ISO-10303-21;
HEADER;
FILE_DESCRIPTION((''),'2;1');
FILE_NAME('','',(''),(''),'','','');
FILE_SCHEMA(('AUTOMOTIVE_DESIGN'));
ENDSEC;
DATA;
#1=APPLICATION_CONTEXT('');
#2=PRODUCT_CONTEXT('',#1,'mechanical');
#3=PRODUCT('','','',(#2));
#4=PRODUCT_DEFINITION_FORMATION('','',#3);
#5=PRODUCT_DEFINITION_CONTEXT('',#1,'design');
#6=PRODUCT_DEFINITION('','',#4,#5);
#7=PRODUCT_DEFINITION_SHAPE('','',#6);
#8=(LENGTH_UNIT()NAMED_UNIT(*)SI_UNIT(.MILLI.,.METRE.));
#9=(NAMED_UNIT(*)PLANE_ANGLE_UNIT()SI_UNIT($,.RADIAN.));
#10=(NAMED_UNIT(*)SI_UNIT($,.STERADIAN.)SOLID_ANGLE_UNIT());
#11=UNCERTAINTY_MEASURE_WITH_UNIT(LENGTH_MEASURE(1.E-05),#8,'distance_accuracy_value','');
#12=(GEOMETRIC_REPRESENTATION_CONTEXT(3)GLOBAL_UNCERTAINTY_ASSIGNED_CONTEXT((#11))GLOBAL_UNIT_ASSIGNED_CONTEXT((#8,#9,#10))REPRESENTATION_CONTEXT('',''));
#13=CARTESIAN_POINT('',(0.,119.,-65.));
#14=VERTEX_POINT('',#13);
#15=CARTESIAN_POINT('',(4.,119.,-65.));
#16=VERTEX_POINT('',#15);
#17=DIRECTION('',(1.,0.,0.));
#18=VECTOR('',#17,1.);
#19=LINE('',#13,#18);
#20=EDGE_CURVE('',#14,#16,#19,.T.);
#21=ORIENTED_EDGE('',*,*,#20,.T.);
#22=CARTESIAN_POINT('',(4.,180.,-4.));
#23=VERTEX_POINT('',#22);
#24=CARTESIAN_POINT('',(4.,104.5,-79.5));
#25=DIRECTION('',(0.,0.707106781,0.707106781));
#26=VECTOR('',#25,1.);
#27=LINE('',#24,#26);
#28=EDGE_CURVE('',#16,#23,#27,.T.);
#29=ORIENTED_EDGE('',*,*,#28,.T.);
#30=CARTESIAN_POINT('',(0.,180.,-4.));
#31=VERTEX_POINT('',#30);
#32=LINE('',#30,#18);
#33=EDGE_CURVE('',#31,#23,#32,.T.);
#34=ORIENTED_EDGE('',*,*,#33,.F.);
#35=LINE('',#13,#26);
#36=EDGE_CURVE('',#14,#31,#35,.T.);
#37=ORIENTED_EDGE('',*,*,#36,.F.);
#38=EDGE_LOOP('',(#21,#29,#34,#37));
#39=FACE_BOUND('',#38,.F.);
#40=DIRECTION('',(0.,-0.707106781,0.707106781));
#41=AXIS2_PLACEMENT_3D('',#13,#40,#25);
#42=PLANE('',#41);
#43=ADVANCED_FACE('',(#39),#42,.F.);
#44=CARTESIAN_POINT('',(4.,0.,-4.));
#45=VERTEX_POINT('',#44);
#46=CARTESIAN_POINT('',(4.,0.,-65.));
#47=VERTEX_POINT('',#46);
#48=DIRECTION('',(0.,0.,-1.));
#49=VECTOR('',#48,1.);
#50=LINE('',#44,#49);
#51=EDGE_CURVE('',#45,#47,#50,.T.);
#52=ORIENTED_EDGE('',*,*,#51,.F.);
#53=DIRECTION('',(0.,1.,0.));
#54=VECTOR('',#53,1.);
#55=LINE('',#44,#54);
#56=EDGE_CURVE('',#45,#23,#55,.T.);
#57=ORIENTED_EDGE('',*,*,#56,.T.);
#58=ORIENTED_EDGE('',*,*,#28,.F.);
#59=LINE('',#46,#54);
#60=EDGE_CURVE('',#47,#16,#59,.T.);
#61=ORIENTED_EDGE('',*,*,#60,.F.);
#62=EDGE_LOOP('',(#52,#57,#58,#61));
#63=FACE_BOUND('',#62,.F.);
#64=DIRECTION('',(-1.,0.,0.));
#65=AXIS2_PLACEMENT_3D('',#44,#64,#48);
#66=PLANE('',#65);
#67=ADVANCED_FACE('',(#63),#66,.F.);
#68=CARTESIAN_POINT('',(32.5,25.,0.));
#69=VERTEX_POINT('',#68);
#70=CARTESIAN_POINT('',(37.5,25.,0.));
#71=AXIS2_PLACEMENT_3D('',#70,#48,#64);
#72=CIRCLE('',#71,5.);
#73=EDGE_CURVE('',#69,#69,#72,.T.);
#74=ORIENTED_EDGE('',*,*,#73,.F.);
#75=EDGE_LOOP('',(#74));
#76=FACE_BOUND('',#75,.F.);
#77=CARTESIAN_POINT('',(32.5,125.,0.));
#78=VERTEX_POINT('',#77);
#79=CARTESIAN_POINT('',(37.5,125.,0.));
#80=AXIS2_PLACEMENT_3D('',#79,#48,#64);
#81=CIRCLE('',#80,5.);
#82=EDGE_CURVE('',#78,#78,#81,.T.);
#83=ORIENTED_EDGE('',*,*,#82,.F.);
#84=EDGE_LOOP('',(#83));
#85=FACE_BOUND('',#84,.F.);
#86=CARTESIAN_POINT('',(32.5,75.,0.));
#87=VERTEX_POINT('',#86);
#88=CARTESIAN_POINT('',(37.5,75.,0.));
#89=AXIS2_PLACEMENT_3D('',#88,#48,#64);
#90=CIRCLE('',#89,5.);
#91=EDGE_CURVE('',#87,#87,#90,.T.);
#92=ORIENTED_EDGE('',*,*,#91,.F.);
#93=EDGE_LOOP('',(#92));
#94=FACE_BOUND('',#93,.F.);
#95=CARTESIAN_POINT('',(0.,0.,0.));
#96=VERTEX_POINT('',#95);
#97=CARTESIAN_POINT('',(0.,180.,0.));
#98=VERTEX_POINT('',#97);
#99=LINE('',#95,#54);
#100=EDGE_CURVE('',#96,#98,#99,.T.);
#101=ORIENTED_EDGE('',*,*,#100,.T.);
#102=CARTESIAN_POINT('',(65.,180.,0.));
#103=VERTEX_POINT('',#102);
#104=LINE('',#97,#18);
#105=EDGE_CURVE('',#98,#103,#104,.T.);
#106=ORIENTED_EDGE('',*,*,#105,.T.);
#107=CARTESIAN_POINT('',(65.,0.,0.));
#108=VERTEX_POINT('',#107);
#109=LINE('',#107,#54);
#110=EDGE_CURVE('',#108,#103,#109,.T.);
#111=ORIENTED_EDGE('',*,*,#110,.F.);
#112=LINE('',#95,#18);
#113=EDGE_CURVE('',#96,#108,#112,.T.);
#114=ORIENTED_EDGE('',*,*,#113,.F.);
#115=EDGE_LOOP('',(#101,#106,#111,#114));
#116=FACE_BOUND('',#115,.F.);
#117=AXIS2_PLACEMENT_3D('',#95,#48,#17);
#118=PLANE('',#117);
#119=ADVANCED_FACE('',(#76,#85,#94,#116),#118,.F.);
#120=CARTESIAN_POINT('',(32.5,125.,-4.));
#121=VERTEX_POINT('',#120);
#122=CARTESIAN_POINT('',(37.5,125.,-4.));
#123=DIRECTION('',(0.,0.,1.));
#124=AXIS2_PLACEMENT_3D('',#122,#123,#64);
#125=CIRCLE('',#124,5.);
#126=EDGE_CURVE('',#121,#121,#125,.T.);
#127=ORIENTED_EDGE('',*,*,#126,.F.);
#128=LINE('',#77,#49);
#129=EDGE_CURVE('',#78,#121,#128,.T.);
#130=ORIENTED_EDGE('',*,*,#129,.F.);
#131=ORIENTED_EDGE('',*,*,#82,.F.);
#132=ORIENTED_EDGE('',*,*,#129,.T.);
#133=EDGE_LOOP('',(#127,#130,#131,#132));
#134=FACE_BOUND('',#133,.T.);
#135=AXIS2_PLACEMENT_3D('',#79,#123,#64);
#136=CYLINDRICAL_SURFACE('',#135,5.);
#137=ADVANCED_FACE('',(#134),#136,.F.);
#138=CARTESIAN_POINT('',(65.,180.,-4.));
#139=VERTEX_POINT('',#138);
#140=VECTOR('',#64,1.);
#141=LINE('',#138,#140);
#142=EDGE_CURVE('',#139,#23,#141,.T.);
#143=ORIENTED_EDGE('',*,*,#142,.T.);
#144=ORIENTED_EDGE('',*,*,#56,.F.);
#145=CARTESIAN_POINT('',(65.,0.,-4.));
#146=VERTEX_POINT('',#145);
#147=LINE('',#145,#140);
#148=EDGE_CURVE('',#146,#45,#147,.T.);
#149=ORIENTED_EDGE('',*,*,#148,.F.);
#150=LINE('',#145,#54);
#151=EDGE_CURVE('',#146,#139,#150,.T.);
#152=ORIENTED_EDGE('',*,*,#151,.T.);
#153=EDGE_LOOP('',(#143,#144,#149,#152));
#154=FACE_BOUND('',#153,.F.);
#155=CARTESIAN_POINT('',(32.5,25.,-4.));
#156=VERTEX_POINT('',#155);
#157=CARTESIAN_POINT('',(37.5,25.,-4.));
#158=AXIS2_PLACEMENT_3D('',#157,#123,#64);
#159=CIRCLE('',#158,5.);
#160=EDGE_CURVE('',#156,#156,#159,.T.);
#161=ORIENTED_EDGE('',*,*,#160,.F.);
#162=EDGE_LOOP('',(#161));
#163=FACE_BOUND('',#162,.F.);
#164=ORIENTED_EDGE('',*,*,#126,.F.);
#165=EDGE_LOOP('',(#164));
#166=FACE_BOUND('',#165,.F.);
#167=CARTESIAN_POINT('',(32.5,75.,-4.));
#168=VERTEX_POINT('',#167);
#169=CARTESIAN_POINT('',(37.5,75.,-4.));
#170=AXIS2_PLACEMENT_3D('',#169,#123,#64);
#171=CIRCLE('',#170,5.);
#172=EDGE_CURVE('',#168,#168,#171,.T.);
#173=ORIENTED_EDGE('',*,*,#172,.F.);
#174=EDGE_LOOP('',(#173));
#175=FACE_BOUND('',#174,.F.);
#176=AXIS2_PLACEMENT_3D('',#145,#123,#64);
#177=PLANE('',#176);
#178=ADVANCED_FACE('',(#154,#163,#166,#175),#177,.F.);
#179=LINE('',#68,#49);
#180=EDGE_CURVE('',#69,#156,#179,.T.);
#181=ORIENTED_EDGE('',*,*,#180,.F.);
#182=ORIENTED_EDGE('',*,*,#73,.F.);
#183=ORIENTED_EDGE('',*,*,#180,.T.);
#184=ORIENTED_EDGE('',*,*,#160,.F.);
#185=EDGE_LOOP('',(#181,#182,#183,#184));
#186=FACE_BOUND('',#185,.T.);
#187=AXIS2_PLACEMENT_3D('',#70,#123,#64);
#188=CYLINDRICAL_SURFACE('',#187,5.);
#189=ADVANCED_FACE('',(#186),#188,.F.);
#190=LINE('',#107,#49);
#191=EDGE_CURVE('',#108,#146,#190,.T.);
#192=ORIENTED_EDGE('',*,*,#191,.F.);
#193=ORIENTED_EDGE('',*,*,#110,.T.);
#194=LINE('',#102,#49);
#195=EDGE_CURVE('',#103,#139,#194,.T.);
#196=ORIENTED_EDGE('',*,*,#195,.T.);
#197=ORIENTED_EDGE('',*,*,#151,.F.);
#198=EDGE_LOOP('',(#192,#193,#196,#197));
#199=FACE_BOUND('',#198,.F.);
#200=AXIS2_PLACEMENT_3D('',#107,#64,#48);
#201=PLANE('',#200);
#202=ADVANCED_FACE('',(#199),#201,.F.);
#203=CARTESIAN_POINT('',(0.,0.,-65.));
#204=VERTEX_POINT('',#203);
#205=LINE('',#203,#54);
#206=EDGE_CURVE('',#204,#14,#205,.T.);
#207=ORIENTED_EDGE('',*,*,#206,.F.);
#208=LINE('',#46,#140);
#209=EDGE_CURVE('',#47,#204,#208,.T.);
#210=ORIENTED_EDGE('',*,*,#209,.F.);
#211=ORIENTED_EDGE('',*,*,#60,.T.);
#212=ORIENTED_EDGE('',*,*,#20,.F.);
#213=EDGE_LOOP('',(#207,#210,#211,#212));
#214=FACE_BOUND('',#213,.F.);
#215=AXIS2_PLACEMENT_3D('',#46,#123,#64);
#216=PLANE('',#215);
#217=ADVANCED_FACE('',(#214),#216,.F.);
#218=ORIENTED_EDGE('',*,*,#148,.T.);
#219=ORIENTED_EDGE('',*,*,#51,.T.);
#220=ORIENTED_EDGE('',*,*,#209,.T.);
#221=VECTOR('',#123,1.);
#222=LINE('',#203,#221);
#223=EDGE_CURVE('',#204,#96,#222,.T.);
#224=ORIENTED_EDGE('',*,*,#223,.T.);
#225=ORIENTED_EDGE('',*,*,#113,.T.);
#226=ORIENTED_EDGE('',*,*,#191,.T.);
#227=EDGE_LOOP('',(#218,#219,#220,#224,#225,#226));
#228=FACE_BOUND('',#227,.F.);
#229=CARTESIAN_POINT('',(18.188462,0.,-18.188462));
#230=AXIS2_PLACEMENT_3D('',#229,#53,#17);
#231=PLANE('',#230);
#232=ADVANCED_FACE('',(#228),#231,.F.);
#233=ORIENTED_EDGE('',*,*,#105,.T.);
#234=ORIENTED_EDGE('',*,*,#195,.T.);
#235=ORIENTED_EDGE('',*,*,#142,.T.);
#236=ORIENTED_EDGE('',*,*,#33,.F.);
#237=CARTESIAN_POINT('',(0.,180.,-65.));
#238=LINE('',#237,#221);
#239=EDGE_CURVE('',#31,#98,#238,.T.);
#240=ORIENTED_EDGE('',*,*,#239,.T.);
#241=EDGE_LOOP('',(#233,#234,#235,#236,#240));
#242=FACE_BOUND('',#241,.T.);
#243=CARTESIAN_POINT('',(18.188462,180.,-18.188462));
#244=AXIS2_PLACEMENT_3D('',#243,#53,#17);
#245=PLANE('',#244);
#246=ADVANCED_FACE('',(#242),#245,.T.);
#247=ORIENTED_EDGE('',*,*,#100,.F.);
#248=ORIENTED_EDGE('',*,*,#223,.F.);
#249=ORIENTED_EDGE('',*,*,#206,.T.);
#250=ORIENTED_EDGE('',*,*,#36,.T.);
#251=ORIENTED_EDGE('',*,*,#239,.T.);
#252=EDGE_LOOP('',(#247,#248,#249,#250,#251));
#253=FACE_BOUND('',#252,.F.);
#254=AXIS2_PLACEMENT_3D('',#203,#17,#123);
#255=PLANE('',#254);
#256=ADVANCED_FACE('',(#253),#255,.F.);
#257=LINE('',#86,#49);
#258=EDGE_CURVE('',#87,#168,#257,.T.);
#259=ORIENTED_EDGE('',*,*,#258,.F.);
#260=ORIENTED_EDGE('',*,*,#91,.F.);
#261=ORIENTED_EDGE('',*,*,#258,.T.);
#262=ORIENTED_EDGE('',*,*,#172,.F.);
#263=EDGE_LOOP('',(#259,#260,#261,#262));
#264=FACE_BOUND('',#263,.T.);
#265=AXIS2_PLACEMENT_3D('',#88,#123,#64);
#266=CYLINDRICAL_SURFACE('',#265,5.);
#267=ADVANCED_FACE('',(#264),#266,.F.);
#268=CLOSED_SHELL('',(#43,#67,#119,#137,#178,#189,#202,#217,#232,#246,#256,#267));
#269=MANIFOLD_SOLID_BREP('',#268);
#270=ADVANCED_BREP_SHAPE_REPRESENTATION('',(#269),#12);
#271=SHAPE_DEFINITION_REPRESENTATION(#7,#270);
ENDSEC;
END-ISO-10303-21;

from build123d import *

# Parameters (mm, degrees)
EXTRUDE_1_DEPTH     = 180
SKETCH_6_R          = 5
CUT_EXTRUDE_1_DEPTH = 10
CUT_EXTRUDE_2_DEPTH = 10


with BuildPart() as part:
    # Эскиз1 → Вытянуть-Тонкостенный1 (new body)
    with BuildSketch(Plane(origin=(0, 0, 0), x_dir=(1, 0, 0), z_dir=(0, 1, 0))):
        Polygon((0, 65), (0, 0), (65, 0), (65, 4), (4, 4), (4, 65), align=None)
    extrude(amount=EXTRUDE_1_DEPTH)

    # Эскиз6 → Вырез-Вытянуть1 (cut)
    with BuildSketch(Plane(origin=(0, 0, 0), x_dir=(-1, 0, 0), z_dir=(0, 0, -1))):
        with Locations((-37.5, 25)):
            Circle(SKETCH_6_R)
        with Locations((-37.5, 75)):
            Circle(SKETCH_6_R)
        with Locations((-37.5, 125)):
            Circle(SKETCH_6_R)
    extrude(amount=CUT_EXTRUDE_1_DEPTH, mode=Mode.SUBTRACT)

    # Эскиз9 → Вырез-Вытянуть2 (cut)
    with BuildSketch(Plane.ZY):
        Polygon((-4, 180), (-65, 180), (-65, 119), align=None)
    extrude(amount=-CUT_EXTRUDE_2_DEPTH, mode=Mode.SUBTRACT)


solid = part.part
